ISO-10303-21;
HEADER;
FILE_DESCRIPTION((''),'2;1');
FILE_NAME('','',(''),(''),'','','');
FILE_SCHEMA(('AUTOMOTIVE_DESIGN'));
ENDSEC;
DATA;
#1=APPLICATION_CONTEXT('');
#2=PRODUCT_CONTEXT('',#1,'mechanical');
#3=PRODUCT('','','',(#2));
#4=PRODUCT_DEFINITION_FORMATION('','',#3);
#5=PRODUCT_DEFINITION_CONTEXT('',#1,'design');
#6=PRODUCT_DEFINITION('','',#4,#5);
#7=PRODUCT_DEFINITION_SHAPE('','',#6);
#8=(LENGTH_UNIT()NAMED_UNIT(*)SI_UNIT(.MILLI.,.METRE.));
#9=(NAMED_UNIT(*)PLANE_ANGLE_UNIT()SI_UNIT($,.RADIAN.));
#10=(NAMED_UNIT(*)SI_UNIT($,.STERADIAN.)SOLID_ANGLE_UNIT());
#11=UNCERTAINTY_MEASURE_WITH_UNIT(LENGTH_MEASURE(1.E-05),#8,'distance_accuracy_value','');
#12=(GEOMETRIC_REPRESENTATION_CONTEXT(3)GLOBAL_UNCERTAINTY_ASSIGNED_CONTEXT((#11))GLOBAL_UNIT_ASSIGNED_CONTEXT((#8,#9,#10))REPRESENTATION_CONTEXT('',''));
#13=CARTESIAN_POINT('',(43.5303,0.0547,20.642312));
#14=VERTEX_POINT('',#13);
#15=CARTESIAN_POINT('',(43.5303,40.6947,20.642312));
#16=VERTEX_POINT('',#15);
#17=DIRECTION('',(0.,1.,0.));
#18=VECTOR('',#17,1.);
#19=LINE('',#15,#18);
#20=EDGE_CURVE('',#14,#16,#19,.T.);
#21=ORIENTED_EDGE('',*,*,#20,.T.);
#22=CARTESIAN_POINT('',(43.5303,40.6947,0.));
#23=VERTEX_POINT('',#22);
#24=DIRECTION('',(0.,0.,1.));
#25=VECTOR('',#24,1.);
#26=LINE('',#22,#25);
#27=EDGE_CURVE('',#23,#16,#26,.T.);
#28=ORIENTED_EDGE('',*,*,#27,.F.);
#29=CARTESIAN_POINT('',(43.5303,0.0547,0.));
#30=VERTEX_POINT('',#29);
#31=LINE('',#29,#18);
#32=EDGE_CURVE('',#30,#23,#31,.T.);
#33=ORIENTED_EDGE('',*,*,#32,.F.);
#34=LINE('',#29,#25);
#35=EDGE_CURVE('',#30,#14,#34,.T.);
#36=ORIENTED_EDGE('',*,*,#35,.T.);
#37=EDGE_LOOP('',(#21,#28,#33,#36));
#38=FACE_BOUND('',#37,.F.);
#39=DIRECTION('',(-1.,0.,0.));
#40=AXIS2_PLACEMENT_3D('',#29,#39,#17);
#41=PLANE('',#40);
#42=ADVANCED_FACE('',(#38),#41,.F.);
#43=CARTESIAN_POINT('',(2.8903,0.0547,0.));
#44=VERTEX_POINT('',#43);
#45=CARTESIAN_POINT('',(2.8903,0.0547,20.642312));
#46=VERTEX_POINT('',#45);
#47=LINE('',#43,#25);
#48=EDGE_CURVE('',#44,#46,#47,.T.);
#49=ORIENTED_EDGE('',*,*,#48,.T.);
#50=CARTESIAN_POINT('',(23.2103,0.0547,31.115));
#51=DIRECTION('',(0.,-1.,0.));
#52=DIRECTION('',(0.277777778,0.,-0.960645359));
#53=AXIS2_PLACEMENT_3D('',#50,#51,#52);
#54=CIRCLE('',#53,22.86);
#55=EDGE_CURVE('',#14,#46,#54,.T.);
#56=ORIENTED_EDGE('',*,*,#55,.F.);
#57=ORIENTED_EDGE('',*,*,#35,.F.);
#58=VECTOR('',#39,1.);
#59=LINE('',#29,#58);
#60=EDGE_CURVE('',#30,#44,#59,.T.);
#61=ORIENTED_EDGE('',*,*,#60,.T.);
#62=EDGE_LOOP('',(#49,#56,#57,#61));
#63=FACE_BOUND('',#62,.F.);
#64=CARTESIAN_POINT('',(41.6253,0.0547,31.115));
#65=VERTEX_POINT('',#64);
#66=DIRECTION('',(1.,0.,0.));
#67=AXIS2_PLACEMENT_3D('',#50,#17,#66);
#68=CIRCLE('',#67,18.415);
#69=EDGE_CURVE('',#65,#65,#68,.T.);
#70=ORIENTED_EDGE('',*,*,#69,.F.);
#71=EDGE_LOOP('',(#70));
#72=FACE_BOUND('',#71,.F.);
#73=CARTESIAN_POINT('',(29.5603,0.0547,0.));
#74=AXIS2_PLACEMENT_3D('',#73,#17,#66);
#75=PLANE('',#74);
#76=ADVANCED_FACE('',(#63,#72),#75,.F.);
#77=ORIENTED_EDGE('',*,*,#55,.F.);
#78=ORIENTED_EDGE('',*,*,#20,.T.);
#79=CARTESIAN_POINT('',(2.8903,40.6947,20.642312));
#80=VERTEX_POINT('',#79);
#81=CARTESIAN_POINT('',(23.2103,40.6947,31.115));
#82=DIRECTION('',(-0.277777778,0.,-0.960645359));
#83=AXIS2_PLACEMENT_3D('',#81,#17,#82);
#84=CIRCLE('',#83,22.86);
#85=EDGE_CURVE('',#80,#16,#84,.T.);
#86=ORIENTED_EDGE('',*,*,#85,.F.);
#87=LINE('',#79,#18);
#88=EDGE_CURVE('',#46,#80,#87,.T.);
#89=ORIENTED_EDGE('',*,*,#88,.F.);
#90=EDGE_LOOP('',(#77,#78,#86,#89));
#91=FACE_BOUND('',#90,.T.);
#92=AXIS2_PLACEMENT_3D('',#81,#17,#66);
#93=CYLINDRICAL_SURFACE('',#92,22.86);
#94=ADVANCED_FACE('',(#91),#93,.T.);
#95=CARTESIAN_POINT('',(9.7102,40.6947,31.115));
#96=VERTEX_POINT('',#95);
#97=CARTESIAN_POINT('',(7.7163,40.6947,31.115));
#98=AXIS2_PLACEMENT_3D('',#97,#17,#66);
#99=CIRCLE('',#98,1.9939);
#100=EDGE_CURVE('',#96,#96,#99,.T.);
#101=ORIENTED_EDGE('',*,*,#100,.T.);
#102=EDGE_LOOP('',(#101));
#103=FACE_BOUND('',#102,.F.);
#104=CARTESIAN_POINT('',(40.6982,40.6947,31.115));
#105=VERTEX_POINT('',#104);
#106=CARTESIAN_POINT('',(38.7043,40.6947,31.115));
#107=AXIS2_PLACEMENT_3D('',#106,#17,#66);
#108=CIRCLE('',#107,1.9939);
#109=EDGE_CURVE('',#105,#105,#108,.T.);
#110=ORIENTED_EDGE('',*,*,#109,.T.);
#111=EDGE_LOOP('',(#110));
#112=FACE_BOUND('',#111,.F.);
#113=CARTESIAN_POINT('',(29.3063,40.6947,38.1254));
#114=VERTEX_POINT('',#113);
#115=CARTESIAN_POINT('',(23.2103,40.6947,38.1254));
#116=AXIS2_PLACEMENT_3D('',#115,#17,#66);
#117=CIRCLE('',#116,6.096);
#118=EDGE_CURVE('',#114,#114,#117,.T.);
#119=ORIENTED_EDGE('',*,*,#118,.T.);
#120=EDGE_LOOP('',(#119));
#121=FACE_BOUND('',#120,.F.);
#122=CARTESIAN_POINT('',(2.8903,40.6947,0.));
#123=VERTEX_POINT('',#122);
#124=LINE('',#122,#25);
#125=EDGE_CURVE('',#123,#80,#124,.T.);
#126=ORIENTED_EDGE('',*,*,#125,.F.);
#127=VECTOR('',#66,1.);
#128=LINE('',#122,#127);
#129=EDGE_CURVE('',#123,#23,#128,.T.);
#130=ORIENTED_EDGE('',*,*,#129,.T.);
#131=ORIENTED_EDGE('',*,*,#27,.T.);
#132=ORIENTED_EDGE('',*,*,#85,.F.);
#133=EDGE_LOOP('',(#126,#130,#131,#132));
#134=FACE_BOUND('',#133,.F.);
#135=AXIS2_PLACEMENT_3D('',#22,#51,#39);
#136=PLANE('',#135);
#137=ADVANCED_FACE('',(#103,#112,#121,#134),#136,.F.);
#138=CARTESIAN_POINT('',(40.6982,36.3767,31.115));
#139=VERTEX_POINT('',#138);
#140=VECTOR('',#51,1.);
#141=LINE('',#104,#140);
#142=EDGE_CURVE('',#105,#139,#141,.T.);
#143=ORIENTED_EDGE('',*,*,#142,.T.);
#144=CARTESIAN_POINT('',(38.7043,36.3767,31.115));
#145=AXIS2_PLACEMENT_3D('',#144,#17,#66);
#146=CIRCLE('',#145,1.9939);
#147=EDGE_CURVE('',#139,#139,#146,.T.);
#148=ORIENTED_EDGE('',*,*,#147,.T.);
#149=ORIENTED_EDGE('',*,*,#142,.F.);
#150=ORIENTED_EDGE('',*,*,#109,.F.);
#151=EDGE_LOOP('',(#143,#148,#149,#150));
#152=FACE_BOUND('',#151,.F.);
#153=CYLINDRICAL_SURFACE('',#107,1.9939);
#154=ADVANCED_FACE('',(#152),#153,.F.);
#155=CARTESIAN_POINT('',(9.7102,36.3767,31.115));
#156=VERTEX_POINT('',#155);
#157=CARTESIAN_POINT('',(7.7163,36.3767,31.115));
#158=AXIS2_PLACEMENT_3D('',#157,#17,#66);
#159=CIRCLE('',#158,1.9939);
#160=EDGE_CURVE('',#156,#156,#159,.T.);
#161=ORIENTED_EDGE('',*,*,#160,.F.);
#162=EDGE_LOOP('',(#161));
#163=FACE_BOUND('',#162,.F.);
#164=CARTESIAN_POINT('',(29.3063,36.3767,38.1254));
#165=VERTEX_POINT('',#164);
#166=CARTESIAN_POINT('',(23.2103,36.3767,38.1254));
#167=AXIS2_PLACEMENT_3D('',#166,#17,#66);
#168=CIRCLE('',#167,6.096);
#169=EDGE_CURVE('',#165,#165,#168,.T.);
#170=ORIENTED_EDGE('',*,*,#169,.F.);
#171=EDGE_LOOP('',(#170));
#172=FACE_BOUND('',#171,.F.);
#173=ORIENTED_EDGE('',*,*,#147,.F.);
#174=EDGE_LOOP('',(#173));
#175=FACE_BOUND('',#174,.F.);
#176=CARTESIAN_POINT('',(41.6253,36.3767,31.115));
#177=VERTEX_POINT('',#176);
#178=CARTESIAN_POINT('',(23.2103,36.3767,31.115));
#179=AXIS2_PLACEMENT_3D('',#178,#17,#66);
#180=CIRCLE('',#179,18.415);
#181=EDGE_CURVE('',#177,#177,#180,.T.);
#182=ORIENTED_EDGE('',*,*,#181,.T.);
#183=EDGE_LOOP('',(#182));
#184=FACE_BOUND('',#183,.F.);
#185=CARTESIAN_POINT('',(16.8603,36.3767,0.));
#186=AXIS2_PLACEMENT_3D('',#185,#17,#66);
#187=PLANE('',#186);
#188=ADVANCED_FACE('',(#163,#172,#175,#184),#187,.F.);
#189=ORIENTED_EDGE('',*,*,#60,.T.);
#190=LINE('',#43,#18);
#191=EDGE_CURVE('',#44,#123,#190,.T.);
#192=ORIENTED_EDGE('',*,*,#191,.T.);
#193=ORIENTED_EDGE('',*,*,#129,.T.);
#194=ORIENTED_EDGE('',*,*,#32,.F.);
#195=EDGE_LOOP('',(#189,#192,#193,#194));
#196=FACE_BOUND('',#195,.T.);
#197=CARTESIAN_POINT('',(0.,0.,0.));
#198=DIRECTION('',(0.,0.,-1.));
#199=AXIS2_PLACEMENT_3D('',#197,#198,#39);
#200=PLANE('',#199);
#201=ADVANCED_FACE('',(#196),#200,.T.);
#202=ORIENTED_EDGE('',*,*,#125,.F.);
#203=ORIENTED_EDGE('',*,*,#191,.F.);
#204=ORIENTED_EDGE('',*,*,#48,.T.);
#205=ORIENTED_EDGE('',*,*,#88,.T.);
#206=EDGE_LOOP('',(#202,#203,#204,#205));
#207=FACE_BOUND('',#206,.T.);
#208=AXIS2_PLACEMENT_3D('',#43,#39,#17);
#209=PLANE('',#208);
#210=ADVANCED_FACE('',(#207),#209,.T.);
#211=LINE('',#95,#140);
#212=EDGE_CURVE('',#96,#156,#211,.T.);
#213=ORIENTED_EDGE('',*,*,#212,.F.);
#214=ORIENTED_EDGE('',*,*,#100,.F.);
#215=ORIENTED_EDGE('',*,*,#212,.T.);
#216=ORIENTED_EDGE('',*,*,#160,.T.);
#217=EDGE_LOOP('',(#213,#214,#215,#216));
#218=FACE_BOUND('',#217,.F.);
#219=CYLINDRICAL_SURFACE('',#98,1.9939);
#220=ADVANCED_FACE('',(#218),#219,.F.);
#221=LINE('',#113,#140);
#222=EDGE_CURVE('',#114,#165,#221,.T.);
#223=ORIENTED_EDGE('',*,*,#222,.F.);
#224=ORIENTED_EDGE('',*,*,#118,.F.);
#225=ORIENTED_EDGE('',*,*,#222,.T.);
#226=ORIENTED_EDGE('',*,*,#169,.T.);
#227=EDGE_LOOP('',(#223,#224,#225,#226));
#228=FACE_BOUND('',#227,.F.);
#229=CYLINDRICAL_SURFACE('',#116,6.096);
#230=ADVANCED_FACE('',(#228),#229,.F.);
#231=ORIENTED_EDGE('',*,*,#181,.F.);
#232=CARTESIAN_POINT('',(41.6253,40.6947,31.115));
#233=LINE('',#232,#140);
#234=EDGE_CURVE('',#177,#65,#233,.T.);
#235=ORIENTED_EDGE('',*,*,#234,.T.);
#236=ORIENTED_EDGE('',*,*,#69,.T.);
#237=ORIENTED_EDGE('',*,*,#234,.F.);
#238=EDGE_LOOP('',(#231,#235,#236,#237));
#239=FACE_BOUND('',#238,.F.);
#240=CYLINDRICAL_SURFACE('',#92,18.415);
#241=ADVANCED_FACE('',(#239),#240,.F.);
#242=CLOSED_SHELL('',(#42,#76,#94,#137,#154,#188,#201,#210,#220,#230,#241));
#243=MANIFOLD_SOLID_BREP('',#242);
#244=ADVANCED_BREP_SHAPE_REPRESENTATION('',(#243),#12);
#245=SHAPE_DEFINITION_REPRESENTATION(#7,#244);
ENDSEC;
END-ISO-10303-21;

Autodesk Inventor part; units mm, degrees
ref_plane "YZ Plane" through (0, 0, 0) normal (1, 0, 0) x (0, 1, 0)
ref_plane "XZ Plane" through (0, 0, 0) normal (0, 1, 0) x (-1, 0, 0)
ref_plane "XY Plane" through (0, 0, 0) normal (0, 0, 1) x (1, 0, 0)
ref_plane "Work Plane2" through (0, 0, 0) normal (0, 0, 1) x (1, 0, 0)
sketch "Sketch1" plane through (0, 0, 0) normal (0, 0, 1) x (1, 0, 0)
  line L0 (29.5603, 0.0547) -> (16.8603, 0.0547)
  line L1 (16.8603, 0.0547) -> (16.8603, 40.6947)
  line L2 (16.8603, 40.6947) -> (29.5603, 40.6947)
  line L3 (29.5603, 40.6947) -> (29.5603, 0.0547)
  point P0 (0, 0)
  dimension "d0" = 12.7
  dimension "d1" = 40.64
extrude "Extrusion1" add sketch "Sketch1" along normal blind 12.7
sketch "Sketch2" plane through (16.8603, 40.6947, 0) normal (0, 1, 0) x (1, 0, 0)
  circle A0 centre (6.35, -31.115) radius 18.415
  line L0 (12.7, -12.7) -> (0, -12.7) projected
  line L1 (0, 0) -> (0, -12.7) projected
  circle A1 centre (6.35, -31.115) radius 22.86
  point P0 (-16.8603, 0)
  point P1 (6.35, -12.7)
  dimension "d4" = 36.83
  dimension "d6" = 6.35
  dimension "d7" = 45.72
extrude "Extrusion2" add sketch "Sketch2" against normal blind 40.64
sketch "Sketch3" plane through (16.8603, 40.6947, 0) normal (0, 1, 0) x (1, 0, 0)
  circle A0 centre (6.35, -31.115) radius 18.415
  circle A1 centre (6.35, -31.115) radius 18.415 projected
  circle A2 centre (21.844, -31.115) radius 1.9939
  circle A3 centre (-9.144, -31.115) radius 1.9939
  circle A4 centre (6.35, -38.1254) radius 6.096
  point P0 (-16.8603, 0)
  point P1 (2.6162, -31.115)
  dimension "d10" = 36.83
  dimension "d21" = 3.9878
  dimension "d22" = 3.9878
  dimension "d23" = 30.988
  dimension "d27" = 12.192
  dimension "d28" = 7.0104
extrude "Extrusion3" add sketch "Sketch3" against normal blind 4.318
sketch "Sketch6" plane through (0, 0, 0) normal (0, 0, -1) x (-1, 0, 0)
  line L0 (-16.8603, 0.0547) -> (-2.8903, 0.0547)
  line L1 (-2.8903, 0.0547) -> (-2.8903, 40.6947)
  line L2 (-2.8903, 40.6947) -> (-16.8603, 40.6947)
  line L3 (-16.8603, 40.6947) -> (-16.8603, 0.0547)
  point P0 (0, 0)
  dimension "d36" = 13.97
  dimension "d37" = 40.64
extrude "Extrusion4" add sketch "Sketch6" against normal up to next
sketch "Sketch7" plane through (0, 0, 0) normal (0, 0, -1) x (-1, 0, 0)
  line L0 (-29.5603, 40.6947) -> (-29.5603, 0.0547) projected
  line L1 (-46.0703, 40.6947) -> (-0.3503, 40.6947) projected
  line L2 (-29.5603, 0.0547) -> (-43.5303, 0.0547)
  line L3 (-43.5303, 0.0547) -> (-43.5303, 40.6947)
  line L4 (-43.5303, 40.6947) -> (-29.5603, 40.6947)
  line L5 (-29.5603, 40.6947) -> (-29.5603, 0.0547)
  point P0 (0, 0)
  point P1 (-2.8903, 40.6947)
  dimension "d40" = 13.97
extrude "Extrusion5" add sketch "Sketch7" against normal up to next
properties part number "Suspension Bracket Mount"
